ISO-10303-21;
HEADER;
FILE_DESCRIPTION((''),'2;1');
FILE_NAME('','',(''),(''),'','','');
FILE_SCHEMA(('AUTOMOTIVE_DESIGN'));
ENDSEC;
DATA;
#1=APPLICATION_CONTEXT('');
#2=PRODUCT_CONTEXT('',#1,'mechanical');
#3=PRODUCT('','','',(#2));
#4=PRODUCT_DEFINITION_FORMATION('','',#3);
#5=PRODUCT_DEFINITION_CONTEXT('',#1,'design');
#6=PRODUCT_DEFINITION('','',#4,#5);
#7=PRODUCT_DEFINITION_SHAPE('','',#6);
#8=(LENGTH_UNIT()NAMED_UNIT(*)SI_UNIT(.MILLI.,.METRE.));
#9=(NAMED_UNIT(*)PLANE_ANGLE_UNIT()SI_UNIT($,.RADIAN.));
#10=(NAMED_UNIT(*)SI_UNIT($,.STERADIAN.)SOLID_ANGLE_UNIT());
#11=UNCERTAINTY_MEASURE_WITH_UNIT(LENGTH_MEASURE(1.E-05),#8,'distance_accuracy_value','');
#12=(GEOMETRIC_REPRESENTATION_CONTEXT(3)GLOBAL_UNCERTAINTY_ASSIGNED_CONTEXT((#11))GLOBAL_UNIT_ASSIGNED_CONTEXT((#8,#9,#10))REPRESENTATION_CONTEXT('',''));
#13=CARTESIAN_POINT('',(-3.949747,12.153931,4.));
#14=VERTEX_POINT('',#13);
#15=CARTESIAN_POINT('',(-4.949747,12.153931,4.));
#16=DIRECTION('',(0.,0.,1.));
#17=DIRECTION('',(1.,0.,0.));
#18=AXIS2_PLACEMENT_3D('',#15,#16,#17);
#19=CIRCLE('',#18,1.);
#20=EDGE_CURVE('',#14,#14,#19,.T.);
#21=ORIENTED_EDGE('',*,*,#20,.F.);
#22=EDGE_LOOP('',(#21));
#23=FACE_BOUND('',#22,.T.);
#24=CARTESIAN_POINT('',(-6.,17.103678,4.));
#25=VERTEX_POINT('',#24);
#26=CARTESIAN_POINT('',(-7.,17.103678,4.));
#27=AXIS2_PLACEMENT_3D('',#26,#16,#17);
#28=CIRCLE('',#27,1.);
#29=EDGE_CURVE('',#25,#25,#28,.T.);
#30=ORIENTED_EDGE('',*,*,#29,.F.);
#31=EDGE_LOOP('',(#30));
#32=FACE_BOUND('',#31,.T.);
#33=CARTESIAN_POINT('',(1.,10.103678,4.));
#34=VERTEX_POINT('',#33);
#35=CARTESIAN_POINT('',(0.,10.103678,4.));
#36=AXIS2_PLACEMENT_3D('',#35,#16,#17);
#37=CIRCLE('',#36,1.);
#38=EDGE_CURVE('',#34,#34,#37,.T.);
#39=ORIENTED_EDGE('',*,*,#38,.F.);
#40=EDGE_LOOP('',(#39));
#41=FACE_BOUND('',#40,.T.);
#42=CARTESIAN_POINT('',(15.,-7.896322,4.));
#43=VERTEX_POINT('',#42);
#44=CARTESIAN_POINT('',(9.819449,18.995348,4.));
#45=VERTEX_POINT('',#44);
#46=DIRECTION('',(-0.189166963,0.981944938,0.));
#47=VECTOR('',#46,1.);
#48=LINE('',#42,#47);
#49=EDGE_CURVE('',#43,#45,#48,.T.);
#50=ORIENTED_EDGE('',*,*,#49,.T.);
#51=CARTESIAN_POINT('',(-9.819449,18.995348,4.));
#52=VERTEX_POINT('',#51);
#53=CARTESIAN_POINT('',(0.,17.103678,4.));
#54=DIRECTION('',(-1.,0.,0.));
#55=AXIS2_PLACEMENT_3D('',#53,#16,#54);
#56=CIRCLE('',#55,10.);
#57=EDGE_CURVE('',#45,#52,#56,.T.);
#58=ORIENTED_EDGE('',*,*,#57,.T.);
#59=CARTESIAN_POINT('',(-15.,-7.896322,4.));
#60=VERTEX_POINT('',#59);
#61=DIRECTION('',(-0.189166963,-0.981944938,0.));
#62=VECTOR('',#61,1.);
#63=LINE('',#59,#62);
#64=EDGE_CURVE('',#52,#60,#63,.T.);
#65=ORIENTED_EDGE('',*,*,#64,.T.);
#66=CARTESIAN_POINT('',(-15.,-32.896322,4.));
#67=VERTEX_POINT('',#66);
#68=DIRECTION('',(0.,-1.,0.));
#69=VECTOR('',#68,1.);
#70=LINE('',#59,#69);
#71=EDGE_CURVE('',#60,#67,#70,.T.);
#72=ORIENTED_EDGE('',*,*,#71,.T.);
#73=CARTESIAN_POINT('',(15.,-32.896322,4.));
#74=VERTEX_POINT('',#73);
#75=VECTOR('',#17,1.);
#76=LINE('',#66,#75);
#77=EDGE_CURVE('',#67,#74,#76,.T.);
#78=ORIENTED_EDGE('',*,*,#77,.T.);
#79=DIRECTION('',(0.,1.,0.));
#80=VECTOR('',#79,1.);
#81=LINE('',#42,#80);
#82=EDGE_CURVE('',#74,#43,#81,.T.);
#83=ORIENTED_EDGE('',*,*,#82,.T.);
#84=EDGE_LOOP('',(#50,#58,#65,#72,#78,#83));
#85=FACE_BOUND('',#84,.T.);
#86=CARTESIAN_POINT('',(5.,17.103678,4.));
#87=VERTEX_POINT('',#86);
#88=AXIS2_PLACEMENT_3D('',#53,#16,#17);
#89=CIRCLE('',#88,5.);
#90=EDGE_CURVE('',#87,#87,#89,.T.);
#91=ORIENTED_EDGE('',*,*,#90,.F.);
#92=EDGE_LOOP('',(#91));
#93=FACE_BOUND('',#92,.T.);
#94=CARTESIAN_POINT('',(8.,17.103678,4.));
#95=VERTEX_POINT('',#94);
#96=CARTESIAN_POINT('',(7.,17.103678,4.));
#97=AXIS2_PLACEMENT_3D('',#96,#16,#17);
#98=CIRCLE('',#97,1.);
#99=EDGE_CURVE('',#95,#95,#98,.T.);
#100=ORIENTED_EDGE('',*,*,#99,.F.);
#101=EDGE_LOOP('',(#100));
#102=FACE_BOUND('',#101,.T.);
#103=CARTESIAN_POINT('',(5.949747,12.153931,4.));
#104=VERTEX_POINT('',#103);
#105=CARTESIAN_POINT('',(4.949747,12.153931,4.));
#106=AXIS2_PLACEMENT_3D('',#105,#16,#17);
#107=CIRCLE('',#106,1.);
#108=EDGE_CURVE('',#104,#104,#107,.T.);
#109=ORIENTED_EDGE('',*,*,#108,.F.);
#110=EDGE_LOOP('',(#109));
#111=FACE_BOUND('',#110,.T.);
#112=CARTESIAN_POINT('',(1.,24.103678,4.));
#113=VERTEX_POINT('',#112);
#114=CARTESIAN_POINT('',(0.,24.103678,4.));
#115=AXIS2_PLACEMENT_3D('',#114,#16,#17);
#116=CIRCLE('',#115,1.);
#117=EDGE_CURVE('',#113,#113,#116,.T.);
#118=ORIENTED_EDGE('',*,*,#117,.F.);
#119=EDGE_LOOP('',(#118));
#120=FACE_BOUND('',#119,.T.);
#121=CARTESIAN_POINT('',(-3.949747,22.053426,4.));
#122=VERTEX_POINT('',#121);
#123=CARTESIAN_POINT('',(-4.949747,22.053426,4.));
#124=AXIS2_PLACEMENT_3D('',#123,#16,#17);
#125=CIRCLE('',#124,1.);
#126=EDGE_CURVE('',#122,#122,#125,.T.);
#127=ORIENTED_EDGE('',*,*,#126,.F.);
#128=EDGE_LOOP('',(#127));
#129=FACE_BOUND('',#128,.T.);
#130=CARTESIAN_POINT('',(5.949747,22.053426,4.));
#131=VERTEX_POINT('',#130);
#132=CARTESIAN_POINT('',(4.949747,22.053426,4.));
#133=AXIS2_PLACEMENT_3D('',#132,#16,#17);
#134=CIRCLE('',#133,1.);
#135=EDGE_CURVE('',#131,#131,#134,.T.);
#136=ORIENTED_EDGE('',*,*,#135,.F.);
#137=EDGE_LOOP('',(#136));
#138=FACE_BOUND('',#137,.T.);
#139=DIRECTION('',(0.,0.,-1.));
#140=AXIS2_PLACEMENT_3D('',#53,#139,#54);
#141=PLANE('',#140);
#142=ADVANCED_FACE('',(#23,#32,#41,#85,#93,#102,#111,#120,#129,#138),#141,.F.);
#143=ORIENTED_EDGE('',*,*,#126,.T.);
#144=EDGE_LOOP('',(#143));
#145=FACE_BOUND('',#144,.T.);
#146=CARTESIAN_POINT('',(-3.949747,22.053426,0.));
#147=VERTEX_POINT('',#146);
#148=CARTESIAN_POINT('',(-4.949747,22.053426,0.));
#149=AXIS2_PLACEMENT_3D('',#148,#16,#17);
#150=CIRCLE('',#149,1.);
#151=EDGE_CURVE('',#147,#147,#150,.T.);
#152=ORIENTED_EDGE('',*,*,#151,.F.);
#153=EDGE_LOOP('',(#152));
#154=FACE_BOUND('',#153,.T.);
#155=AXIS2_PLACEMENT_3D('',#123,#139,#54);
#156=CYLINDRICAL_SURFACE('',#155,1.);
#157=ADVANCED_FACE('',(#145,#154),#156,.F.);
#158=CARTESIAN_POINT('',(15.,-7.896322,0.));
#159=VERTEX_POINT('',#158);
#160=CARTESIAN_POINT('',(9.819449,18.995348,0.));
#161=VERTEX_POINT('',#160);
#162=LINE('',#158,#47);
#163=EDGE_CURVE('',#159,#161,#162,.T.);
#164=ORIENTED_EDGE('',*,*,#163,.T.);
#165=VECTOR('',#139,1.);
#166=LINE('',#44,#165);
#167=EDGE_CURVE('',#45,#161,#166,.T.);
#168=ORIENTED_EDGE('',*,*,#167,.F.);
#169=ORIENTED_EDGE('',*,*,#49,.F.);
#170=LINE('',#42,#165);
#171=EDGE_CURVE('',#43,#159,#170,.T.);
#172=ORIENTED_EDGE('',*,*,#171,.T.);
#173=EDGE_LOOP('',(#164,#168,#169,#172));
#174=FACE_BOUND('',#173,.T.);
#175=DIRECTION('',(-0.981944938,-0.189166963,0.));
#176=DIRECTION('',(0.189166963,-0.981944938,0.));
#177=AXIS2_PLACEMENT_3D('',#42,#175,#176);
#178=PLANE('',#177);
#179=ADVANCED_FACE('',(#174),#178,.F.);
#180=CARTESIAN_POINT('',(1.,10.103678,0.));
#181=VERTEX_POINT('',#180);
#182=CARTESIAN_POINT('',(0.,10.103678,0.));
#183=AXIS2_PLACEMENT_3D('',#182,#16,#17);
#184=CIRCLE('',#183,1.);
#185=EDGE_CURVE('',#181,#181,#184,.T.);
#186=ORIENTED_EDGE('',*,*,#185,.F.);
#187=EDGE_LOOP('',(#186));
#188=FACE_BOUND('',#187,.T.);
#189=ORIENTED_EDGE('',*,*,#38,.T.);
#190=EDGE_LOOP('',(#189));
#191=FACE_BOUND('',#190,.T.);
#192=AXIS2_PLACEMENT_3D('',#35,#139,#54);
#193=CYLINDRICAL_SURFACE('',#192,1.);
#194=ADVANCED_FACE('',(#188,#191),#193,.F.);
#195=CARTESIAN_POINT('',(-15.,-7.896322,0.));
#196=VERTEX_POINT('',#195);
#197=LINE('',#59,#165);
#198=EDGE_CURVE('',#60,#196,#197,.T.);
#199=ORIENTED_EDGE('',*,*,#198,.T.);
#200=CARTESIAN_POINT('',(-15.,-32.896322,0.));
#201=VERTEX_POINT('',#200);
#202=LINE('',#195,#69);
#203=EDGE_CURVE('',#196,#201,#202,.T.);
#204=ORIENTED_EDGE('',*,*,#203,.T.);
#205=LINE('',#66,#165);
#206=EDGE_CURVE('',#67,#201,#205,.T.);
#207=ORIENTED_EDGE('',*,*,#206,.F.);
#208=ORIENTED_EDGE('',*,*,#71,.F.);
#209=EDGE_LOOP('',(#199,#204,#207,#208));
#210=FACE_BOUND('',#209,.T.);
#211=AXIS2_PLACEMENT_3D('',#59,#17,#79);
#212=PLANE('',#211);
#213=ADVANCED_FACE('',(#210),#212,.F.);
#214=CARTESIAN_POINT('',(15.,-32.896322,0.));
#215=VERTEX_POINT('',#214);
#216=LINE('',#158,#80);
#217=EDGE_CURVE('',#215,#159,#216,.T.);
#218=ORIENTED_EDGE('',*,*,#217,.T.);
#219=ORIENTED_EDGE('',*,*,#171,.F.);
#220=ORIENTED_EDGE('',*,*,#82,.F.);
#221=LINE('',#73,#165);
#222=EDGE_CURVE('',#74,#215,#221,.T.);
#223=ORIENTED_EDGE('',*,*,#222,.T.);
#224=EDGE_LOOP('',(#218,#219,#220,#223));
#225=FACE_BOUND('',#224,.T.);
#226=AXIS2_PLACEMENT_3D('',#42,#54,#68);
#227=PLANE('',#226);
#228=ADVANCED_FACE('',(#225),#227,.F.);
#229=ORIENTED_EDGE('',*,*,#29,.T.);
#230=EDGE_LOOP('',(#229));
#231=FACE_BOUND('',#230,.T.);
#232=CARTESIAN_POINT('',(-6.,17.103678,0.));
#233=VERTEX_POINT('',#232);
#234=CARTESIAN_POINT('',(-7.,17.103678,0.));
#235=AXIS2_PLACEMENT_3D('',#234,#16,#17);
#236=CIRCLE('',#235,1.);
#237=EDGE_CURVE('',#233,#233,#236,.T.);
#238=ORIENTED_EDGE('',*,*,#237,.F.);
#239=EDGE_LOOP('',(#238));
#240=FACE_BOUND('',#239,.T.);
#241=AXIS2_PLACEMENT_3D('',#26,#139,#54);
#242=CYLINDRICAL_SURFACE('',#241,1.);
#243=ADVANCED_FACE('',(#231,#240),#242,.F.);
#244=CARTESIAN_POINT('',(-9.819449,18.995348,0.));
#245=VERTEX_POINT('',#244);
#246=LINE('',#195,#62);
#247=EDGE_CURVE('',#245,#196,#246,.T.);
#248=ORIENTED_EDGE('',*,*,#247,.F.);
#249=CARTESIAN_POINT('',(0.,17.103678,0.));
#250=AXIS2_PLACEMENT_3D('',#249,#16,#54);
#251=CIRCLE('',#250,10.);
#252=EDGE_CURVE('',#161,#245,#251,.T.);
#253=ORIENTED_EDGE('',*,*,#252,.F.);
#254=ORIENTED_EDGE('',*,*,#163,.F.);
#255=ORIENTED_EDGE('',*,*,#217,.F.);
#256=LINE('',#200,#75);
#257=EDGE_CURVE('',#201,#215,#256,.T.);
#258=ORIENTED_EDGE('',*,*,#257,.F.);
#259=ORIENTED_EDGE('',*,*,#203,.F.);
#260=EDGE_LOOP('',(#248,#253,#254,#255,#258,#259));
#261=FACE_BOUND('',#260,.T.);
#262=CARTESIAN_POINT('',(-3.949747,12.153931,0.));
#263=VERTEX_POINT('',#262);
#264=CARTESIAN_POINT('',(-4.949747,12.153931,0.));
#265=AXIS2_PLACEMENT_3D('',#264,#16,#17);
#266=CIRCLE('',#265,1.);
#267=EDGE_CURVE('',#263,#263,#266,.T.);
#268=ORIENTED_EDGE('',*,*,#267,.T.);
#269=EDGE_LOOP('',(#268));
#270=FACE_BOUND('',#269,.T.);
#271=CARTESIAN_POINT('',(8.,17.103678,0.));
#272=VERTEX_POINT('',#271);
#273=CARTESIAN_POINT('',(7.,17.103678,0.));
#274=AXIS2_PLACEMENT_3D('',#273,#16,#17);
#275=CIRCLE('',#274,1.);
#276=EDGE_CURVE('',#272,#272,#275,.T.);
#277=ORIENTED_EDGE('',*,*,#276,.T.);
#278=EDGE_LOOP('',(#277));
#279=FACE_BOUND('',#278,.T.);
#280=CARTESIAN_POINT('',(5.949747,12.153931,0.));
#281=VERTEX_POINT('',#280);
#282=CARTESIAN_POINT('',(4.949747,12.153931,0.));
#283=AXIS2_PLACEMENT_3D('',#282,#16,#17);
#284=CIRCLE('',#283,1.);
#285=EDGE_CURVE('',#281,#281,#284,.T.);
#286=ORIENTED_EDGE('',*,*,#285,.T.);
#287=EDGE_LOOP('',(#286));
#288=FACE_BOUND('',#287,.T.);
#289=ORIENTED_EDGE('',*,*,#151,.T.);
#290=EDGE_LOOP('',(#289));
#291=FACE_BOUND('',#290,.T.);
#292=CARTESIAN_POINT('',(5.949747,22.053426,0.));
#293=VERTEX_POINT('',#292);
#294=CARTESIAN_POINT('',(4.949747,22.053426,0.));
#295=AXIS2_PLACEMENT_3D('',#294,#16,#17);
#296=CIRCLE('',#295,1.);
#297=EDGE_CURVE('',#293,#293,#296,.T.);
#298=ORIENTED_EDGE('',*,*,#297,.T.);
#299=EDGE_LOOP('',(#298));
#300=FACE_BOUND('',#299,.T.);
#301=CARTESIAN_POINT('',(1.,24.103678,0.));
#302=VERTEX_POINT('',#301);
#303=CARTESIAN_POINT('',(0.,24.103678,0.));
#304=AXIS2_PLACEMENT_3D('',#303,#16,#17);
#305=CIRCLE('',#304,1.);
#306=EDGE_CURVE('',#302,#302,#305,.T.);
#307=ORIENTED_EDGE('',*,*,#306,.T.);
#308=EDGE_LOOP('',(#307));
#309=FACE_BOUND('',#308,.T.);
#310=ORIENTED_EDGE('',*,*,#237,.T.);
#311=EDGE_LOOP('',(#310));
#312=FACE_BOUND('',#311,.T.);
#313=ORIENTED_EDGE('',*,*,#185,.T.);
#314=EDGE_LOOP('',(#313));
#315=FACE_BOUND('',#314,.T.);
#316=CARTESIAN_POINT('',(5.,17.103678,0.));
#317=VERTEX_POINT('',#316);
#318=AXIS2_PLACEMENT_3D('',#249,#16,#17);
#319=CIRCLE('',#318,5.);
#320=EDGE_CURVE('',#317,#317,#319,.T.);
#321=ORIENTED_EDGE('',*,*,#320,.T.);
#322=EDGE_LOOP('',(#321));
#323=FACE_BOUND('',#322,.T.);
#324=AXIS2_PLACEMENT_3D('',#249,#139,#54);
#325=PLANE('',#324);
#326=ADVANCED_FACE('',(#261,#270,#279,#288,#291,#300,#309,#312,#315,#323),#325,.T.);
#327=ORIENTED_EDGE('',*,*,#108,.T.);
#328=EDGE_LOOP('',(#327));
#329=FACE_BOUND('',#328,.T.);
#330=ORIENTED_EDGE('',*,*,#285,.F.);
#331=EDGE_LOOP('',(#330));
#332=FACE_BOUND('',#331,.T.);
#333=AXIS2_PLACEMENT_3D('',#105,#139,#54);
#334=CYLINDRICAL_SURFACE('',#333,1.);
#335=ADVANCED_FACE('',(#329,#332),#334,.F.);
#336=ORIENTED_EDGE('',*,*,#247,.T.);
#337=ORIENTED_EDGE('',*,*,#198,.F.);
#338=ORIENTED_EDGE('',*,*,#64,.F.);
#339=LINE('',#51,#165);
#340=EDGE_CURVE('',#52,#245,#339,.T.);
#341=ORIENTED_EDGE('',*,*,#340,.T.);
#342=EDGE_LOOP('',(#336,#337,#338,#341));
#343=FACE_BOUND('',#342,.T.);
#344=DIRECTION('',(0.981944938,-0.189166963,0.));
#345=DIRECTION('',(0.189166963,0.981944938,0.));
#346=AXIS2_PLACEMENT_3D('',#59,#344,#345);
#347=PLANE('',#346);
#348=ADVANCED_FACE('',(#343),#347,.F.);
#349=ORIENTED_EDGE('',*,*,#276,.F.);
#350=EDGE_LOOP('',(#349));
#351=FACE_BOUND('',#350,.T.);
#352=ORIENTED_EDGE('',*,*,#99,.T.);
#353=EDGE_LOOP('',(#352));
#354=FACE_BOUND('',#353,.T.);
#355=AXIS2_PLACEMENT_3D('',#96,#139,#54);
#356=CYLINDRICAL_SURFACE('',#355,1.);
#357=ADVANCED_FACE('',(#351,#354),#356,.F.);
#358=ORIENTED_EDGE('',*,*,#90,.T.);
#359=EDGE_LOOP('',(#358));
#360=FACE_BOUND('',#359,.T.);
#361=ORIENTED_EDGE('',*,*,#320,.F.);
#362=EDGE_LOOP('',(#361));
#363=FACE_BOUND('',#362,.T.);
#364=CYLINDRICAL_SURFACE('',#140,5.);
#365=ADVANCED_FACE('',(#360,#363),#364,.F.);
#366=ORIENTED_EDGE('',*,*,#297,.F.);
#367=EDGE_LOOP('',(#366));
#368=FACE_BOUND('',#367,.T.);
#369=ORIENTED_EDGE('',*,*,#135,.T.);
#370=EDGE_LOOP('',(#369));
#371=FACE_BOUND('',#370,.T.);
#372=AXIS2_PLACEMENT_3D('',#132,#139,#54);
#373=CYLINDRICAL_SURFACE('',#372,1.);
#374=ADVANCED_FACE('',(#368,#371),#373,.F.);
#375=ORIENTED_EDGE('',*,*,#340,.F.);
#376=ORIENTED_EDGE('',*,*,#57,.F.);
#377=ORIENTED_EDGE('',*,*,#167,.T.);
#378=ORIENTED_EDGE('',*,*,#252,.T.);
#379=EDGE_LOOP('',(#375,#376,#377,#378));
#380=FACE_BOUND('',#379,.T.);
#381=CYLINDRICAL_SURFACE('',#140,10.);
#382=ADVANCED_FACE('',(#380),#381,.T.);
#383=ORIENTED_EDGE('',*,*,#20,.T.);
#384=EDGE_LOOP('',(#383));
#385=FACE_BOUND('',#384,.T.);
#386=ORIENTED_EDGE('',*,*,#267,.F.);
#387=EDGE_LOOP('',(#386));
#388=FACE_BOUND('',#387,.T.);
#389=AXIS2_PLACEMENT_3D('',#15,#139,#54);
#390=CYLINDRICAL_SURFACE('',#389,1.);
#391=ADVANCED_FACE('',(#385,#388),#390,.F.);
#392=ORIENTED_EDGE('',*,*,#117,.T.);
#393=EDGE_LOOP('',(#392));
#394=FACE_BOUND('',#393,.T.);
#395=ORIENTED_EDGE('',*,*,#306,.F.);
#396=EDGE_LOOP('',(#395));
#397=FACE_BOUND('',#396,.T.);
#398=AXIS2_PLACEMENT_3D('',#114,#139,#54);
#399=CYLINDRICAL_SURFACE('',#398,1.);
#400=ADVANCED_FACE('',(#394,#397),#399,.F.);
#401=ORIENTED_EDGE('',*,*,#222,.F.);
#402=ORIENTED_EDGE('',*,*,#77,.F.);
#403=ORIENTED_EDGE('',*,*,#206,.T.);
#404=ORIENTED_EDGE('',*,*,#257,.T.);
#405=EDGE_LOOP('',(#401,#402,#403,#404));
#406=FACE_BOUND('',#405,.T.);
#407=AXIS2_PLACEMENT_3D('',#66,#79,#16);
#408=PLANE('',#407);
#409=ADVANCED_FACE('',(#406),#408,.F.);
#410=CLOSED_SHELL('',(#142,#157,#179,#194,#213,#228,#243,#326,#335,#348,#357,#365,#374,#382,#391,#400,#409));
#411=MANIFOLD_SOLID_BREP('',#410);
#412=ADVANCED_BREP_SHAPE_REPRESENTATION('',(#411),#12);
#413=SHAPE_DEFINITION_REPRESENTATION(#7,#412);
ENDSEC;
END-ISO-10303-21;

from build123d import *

# Parameters (mm, degrees)
SKETCH1_R           = 1
SKETCH1_R_2         = 5
BOSS_EXTRUDE1_DEPTH = 4


with BuildPart() as part:
    # Sketch1 → Boss-Extrude1 (new body)
    with BuildSketch(Plane.XY):
        with BuildLine():
            Line((-15, -7.896321871), (-9.819449375, 18.995347754))
            ThreePointArc((-9.819449375, 18.995347754), (0, 27.103678129), (9.819449375, 18.995347754))
            Line((9.819449375, 18.995347754), (15, -7.896321871))
            Line((15, -7.896321871), (15, -32.896321871))
            Line((15, -32.896321871), (-15, -32.896321871))
            Line((-15, -32.896321871), (-15, -7.896321871))
        make_face()
        with Locations((0, 24.103678129)):
            Circle(SKETCH1_R, mode=Mode.SUBTRACT)
        with Locations((4.949747468, 22.053425597)):
            Circle(SKETCH1_R, mode=Mode.SUBTRACT)
        with Locations((7, 17.103678129)):
            Circle(SKETCH1_R, mode=Mode.SUBTRACT)
        with Locations((4.949747468, 12.153930661)):
            Circle(SKETCH1_R, mode=Mode.SUBTRACT)
        with Locations((0, 10.103678129)):
            Circle(SKETCH1_R, mode=Mode.SUBTRACT)
        with Locations((-4.949747468, 12.153930661)):
            Circle(SKETCH1_R, mode=Mode.SUBTRACT)
        with Locations((-7, 17.103678129)):
            Circle(SKETCH1_R, mode=Mode.SUBTRACT)
        with Locations((-4.949747468, 22.053425597)):
            Circle(SKETCH1_R, mode=Mode.SUBTRACT)
        with Locations((0, 17.103678129)):
            Circle(SKETCH1_R_2, mode=Mode.SUBTRACT)
    extrude(amount=BOSS_EXTRUDE1_DEPTH)


solid = part.part
